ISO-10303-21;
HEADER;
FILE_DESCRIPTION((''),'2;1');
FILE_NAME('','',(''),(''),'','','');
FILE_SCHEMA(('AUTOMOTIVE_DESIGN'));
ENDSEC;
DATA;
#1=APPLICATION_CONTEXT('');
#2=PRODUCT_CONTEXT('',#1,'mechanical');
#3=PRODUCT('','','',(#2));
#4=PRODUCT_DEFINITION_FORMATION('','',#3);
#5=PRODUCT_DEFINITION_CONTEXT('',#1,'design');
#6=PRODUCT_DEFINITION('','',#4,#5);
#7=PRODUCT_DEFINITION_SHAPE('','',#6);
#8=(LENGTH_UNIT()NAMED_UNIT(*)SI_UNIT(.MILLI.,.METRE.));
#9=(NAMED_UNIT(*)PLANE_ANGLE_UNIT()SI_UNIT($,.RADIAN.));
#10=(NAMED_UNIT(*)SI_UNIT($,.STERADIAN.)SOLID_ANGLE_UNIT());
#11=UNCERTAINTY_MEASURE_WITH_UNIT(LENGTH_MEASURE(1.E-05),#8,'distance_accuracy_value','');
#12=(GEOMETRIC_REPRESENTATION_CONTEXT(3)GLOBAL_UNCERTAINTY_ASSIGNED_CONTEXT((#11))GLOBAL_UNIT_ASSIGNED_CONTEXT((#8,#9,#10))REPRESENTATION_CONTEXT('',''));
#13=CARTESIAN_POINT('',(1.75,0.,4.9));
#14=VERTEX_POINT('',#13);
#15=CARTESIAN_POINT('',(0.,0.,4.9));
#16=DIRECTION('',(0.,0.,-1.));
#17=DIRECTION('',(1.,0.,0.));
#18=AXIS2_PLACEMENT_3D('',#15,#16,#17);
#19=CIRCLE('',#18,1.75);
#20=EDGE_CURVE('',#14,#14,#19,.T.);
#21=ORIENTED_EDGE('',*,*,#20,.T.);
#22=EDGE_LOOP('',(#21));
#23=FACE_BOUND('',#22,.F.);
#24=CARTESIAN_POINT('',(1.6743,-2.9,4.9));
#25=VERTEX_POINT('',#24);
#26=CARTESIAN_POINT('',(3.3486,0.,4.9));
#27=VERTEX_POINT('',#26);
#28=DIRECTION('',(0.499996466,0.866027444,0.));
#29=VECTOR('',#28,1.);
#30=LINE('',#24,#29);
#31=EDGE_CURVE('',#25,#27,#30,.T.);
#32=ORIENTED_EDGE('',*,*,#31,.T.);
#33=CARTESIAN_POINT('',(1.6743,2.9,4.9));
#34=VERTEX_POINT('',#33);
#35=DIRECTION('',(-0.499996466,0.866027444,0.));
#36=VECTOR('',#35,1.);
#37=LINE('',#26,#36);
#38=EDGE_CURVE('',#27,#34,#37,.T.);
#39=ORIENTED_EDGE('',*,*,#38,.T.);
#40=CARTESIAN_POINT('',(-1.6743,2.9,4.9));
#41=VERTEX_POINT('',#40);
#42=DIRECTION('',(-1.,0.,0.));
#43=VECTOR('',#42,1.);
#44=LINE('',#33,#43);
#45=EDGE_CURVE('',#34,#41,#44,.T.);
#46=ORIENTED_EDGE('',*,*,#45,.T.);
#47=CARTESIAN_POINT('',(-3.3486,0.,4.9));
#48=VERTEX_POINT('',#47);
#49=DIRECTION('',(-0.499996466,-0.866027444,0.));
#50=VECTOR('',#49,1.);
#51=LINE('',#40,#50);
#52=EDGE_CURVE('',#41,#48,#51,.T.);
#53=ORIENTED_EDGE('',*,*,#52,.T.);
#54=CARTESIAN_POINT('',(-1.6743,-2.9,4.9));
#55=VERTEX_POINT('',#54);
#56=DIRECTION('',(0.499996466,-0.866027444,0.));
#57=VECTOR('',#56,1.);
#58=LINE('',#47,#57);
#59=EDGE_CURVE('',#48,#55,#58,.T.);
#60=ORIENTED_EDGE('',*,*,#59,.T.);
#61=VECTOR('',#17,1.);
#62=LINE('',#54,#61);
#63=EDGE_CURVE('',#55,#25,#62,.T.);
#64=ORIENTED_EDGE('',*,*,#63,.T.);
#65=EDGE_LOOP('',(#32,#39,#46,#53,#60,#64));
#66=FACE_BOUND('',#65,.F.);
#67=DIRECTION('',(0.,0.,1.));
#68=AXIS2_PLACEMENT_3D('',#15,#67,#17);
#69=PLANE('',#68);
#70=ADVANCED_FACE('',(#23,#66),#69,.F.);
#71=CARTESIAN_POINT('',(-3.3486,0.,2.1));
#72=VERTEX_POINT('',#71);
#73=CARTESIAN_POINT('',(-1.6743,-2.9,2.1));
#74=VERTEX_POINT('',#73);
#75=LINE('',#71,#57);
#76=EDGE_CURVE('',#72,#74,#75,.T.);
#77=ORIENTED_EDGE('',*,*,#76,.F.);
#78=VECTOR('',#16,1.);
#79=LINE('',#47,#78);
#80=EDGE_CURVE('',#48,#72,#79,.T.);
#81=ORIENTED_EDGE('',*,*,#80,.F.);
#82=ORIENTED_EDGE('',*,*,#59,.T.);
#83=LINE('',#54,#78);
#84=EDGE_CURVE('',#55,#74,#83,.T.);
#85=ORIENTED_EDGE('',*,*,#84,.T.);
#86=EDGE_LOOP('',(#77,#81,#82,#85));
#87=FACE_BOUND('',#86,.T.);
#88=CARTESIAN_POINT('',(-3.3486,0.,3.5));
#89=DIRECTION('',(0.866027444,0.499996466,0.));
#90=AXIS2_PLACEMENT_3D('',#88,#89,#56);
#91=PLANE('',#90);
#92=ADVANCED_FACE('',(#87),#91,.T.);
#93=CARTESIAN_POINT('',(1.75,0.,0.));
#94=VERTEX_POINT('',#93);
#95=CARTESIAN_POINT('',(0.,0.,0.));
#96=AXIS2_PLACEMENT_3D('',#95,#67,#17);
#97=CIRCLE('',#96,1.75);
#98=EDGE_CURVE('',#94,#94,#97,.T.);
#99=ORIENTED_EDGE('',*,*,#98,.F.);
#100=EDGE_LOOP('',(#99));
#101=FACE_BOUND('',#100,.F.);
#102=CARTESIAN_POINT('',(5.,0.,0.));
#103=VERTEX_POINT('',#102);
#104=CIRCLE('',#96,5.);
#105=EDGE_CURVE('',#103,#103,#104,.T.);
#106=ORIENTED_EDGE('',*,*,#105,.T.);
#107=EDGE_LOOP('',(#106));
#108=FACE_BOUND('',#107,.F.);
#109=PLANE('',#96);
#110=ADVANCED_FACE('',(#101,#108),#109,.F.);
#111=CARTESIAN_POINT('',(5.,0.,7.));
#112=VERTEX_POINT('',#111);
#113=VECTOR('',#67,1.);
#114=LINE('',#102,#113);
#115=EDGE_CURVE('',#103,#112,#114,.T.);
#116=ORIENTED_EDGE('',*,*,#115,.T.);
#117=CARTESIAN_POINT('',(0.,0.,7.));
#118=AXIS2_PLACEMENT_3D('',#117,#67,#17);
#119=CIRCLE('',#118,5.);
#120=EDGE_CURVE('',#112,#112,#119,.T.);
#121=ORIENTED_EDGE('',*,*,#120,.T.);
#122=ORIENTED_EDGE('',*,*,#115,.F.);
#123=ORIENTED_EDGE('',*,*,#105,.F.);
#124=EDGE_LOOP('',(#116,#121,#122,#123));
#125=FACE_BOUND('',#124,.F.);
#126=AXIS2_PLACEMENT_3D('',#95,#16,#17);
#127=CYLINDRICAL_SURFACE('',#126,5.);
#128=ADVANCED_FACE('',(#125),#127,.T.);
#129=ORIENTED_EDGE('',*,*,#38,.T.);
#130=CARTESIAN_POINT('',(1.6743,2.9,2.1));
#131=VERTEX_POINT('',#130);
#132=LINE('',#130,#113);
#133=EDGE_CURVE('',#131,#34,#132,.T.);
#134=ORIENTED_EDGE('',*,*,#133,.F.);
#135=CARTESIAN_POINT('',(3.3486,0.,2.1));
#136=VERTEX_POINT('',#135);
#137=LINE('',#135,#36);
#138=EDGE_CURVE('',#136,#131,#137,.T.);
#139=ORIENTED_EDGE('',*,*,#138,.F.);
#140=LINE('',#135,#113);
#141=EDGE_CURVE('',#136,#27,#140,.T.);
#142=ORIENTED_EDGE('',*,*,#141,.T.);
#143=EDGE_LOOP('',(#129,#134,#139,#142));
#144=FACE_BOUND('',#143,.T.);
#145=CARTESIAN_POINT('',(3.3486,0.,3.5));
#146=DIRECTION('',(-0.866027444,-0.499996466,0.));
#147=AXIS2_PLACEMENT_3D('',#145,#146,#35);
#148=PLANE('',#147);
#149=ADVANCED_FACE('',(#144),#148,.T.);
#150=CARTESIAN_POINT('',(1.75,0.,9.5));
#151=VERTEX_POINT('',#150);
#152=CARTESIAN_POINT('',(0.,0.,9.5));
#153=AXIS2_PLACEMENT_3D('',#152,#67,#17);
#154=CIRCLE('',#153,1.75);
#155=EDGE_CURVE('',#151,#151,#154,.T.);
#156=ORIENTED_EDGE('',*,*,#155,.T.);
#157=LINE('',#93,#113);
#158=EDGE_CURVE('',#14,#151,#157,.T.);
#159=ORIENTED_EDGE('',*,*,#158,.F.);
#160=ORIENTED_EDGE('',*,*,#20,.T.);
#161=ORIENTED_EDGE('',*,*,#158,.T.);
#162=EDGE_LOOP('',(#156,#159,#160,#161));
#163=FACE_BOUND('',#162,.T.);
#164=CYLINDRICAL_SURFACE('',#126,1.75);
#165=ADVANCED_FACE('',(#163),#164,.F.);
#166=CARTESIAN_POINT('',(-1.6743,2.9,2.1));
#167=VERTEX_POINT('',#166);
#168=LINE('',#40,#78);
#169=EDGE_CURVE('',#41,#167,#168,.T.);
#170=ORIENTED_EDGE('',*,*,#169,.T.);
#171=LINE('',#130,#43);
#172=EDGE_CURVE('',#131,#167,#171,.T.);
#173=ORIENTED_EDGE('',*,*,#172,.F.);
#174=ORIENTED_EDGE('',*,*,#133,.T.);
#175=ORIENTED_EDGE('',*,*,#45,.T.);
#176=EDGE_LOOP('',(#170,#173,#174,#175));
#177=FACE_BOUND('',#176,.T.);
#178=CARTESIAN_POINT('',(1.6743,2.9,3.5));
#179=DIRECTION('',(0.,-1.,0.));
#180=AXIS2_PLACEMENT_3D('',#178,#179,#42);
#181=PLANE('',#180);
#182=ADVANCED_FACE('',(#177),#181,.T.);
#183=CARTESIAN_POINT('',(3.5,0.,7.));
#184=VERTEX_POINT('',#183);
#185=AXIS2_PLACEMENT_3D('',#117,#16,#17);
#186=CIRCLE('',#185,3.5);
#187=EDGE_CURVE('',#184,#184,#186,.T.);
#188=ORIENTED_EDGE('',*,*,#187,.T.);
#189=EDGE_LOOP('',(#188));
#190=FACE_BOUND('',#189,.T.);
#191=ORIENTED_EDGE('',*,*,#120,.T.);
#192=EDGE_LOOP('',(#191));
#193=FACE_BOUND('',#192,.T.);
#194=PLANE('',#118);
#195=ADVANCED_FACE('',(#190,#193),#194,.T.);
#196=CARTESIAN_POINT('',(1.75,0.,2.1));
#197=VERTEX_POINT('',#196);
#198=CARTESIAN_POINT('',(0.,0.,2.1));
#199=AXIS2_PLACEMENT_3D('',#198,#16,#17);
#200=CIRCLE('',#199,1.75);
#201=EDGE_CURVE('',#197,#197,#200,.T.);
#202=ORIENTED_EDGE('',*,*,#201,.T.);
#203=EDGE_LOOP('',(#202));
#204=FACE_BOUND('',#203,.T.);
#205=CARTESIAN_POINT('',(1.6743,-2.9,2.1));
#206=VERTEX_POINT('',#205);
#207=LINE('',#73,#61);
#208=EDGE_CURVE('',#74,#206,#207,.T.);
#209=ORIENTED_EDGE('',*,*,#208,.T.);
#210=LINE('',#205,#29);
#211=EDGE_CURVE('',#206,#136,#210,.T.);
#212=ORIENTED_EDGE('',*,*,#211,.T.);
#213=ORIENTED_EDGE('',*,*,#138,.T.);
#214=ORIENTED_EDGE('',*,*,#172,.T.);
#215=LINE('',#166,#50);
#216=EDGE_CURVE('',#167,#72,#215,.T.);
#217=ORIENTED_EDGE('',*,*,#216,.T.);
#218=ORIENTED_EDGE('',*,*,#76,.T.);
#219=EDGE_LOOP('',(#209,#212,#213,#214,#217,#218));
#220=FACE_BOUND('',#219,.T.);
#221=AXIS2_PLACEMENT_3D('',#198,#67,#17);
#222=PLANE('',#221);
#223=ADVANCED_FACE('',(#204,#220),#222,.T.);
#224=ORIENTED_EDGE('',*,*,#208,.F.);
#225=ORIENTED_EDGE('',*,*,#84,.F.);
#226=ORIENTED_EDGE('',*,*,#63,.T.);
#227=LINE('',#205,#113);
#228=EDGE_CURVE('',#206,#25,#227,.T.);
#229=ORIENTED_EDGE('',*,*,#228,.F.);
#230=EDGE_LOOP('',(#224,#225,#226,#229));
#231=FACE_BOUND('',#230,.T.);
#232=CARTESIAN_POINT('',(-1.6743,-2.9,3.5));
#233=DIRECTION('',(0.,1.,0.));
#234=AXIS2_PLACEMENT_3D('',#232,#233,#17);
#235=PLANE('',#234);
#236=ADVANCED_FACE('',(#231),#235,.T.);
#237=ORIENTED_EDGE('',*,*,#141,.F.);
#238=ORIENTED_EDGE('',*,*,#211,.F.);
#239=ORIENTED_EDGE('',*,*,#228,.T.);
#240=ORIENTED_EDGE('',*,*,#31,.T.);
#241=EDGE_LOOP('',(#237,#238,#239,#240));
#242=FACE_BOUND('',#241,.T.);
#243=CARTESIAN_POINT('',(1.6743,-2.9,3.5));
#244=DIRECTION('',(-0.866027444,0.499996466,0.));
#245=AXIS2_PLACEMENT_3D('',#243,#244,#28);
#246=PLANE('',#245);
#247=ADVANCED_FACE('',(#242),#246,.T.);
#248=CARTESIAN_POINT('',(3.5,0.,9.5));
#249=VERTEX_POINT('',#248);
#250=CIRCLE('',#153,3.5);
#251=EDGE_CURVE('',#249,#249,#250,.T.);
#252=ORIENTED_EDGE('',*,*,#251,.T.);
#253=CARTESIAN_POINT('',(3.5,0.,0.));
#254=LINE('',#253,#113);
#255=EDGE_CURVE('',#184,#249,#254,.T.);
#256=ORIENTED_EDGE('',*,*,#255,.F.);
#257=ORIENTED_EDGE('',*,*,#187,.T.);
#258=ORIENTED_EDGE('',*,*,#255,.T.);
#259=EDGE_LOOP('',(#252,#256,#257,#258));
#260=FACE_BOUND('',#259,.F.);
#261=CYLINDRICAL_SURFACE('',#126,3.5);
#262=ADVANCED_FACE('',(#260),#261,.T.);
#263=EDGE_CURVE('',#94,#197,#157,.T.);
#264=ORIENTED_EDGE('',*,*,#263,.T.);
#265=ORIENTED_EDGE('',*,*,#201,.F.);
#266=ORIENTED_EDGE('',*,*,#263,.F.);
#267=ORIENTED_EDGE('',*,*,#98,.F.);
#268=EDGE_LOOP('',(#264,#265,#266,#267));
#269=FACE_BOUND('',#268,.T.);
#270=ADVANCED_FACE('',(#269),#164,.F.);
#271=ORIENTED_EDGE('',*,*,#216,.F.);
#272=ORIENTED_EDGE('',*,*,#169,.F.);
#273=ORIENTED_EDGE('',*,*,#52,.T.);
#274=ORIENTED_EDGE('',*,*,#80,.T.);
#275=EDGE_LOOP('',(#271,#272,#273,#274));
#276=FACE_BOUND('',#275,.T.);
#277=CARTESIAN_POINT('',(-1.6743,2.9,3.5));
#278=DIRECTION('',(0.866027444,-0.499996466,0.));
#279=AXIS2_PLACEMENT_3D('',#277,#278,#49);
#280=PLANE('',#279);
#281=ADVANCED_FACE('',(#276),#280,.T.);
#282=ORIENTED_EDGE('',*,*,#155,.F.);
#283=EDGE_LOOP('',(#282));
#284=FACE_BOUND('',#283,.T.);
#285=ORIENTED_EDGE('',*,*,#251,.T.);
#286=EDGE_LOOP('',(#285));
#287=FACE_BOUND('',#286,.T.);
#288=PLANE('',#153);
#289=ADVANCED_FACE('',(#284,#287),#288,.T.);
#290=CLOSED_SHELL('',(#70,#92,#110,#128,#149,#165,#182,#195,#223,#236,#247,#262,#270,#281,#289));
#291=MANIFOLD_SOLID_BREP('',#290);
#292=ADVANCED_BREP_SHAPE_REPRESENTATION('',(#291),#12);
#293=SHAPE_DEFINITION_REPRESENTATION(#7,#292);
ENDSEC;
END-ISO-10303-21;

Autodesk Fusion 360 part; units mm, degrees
sketch "Skizze1" plane through (0, 0, 0) normal (0, 0, 1) x (1, 0, 0)
  line L0 (-31.5508, 0) -> (33.8224, 0) construction
  line L1 (0, 25.6192) -> (0, -38.4919) construction
  circle A0 centre (0, 0) radius 1.75
  circle A1 centre (0, 0) radius 3.5
  circle A2 centre (0, 0) radius 5
  dimension "d1" = 3.5
  dimension "d2" = 7
  dimension "d3" = 10
extrude "Extrusion1" add sketch "Skizze1" along normal blind 7 contours A1 | A2
extrude "Extrusion2" add sketch "Skizze1" along normal blind 9.5 contours A1
ref_plane "Arbeitsebene1" through (0, 0, 3.5) normal (0, 0, 1) x (1, 0, 0)
sketch "Skizze2" plane through (0, 0, 3.5) normal (0, 0, 1) x (1, 0, 0)
  line L0 (-11, 0) -> (19, 0) construction
  line L1 (0, 16) -> (0, -23) construction
  line L2 (1.6743, -2.9) -> (3.3486, 0)
  line L3 (3.3486, 0) -> (1.6743, 2.9)
  line L4 (1.6743, 2.9) -> (-1.6743, 2.9)
  line L5 (-1.6743, 2.9) -> (-3.3486, 0)
  line L6 (-3.3486, 0) -> (-1.6743, -2.9)
  line L7 (-1.6743, -2.9) -> (1.6743, -2.9)
  dimension "d9" = 5.8
extrude "Extrusion3" cut sketch "Skizze2" along normal mid plane 2.8
